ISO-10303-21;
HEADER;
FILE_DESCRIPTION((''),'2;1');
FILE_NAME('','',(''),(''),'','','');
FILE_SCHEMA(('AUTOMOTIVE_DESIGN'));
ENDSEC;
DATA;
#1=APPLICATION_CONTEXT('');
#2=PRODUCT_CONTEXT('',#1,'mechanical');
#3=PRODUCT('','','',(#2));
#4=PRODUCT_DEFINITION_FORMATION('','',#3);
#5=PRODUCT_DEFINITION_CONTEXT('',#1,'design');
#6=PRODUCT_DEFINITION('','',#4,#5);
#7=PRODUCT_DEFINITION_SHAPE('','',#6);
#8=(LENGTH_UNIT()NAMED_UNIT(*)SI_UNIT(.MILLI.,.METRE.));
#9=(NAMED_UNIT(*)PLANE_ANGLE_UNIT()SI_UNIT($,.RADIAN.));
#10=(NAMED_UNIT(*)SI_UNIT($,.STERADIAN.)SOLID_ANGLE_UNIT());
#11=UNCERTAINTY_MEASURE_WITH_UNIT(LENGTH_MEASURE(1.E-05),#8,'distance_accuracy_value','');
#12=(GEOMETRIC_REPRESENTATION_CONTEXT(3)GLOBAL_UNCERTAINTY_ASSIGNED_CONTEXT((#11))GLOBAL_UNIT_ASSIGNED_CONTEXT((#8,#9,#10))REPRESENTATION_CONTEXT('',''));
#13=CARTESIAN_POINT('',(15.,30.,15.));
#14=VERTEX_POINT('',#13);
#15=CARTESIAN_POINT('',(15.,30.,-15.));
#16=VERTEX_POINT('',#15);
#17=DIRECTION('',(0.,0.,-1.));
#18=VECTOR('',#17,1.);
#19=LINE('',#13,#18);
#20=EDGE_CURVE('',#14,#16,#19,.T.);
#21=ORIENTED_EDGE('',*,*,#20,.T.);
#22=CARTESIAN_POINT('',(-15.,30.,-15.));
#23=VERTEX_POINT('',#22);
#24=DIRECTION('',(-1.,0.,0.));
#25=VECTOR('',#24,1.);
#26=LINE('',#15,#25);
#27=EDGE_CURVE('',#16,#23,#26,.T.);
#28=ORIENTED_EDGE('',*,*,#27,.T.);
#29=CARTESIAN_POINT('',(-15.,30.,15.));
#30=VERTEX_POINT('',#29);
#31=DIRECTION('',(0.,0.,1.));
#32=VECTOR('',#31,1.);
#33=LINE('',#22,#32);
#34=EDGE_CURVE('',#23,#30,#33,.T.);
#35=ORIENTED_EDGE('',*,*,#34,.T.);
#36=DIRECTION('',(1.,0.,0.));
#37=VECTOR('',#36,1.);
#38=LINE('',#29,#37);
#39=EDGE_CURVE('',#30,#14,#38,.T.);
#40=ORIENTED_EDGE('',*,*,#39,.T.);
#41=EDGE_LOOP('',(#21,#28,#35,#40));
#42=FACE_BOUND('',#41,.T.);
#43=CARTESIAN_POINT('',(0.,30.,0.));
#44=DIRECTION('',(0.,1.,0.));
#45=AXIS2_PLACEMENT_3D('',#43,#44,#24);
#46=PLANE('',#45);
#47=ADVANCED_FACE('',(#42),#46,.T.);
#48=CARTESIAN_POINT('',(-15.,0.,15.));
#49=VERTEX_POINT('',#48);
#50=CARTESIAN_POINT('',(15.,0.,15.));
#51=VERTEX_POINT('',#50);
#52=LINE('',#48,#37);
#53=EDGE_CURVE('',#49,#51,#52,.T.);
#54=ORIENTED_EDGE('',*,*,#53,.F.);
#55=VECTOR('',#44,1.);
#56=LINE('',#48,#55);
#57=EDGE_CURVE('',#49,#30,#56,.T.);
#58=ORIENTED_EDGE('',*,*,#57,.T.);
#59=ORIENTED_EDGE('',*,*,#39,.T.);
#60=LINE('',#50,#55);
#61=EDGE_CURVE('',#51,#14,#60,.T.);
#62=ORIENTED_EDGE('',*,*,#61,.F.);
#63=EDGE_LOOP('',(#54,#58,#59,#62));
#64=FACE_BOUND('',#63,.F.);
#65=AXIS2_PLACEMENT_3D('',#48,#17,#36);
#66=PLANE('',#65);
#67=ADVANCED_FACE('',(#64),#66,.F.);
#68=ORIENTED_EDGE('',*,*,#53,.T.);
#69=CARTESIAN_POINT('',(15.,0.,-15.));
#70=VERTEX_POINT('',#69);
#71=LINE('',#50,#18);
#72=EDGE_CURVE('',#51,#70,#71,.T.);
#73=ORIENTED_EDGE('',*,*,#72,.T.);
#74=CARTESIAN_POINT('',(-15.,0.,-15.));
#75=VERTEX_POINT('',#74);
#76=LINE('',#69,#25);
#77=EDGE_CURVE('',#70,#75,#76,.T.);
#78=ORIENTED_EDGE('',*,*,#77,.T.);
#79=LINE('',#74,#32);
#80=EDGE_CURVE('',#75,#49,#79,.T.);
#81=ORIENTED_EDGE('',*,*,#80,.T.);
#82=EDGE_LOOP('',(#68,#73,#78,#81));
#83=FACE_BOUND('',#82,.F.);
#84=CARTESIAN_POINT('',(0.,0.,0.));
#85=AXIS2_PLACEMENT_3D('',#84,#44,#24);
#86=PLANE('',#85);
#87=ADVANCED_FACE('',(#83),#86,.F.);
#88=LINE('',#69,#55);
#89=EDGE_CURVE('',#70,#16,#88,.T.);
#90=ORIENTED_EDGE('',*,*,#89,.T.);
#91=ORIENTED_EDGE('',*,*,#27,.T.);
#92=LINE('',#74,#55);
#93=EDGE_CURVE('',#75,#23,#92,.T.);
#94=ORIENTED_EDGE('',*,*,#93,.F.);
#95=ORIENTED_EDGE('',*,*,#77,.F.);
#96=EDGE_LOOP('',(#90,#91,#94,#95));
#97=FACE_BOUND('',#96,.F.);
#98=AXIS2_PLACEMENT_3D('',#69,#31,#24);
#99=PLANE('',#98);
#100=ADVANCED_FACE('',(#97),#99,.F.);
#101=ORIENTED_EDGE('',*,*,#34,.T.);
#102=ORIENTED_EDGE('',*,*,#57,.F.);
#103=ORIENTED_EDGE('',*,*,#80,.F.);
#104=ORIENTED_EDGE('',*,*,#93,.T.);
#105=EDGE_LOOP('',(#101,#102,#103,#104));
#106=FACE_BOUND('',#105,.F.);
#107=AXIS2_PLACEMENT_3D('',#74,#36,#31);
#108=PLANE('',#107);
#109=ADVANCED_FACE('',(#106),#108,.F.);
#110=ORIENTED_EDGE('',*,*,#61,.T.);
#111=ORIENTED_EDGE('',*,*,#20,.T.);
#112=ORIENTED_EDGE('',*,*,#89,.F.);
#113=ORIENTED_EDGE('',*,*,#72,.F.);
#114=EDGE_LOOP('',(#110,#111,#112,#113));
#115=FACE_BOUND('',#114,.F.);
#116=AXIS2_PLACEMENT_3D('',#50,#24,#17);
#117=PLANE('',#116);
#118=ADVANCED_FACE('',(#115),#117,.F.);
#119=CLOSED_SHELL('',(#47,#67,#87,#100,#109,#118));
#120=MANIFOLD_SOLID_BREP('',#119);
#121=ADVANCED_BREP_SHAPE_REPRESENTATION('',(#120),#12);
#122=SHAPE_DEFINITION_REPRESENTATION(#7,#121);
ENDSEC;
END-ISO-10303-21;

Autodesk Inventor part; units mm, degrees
ref_plane "YZ Plane" through (0, 0, 0) normal (1, 0, 0) x (0, 1, 0)
ref_plane "XZ Plane" through (0, 0, 0) normal (0, 1, 0) x (-1, 0, 0)
ref_plane "XY Plane" through (0, 0, 0) normal (0, 0, 1) x (1, 0, 0)
sketch "Sketch1" plane through (0, 0, 0) normal (0, 1, 0) x (-1, 0, 0)
  line L0 (-15, -15) -> (15, -15)
  line L1 (15, -15) -> (15, 15)
  line L2 (15, 15) -> (-15, 15)
  line L3 (-15, 15) -> (-15, -15)
  line L4 (-15, -15) -> (15, 15) construction
  line L5 (15, -15) -> (-15, 15) construction
  point P0 (0, 0)
  dimension "d0" = 30
  dimension "d1" = 30
extrude "Extrusion1" add sketch "Sketch1" along normal blind 30
